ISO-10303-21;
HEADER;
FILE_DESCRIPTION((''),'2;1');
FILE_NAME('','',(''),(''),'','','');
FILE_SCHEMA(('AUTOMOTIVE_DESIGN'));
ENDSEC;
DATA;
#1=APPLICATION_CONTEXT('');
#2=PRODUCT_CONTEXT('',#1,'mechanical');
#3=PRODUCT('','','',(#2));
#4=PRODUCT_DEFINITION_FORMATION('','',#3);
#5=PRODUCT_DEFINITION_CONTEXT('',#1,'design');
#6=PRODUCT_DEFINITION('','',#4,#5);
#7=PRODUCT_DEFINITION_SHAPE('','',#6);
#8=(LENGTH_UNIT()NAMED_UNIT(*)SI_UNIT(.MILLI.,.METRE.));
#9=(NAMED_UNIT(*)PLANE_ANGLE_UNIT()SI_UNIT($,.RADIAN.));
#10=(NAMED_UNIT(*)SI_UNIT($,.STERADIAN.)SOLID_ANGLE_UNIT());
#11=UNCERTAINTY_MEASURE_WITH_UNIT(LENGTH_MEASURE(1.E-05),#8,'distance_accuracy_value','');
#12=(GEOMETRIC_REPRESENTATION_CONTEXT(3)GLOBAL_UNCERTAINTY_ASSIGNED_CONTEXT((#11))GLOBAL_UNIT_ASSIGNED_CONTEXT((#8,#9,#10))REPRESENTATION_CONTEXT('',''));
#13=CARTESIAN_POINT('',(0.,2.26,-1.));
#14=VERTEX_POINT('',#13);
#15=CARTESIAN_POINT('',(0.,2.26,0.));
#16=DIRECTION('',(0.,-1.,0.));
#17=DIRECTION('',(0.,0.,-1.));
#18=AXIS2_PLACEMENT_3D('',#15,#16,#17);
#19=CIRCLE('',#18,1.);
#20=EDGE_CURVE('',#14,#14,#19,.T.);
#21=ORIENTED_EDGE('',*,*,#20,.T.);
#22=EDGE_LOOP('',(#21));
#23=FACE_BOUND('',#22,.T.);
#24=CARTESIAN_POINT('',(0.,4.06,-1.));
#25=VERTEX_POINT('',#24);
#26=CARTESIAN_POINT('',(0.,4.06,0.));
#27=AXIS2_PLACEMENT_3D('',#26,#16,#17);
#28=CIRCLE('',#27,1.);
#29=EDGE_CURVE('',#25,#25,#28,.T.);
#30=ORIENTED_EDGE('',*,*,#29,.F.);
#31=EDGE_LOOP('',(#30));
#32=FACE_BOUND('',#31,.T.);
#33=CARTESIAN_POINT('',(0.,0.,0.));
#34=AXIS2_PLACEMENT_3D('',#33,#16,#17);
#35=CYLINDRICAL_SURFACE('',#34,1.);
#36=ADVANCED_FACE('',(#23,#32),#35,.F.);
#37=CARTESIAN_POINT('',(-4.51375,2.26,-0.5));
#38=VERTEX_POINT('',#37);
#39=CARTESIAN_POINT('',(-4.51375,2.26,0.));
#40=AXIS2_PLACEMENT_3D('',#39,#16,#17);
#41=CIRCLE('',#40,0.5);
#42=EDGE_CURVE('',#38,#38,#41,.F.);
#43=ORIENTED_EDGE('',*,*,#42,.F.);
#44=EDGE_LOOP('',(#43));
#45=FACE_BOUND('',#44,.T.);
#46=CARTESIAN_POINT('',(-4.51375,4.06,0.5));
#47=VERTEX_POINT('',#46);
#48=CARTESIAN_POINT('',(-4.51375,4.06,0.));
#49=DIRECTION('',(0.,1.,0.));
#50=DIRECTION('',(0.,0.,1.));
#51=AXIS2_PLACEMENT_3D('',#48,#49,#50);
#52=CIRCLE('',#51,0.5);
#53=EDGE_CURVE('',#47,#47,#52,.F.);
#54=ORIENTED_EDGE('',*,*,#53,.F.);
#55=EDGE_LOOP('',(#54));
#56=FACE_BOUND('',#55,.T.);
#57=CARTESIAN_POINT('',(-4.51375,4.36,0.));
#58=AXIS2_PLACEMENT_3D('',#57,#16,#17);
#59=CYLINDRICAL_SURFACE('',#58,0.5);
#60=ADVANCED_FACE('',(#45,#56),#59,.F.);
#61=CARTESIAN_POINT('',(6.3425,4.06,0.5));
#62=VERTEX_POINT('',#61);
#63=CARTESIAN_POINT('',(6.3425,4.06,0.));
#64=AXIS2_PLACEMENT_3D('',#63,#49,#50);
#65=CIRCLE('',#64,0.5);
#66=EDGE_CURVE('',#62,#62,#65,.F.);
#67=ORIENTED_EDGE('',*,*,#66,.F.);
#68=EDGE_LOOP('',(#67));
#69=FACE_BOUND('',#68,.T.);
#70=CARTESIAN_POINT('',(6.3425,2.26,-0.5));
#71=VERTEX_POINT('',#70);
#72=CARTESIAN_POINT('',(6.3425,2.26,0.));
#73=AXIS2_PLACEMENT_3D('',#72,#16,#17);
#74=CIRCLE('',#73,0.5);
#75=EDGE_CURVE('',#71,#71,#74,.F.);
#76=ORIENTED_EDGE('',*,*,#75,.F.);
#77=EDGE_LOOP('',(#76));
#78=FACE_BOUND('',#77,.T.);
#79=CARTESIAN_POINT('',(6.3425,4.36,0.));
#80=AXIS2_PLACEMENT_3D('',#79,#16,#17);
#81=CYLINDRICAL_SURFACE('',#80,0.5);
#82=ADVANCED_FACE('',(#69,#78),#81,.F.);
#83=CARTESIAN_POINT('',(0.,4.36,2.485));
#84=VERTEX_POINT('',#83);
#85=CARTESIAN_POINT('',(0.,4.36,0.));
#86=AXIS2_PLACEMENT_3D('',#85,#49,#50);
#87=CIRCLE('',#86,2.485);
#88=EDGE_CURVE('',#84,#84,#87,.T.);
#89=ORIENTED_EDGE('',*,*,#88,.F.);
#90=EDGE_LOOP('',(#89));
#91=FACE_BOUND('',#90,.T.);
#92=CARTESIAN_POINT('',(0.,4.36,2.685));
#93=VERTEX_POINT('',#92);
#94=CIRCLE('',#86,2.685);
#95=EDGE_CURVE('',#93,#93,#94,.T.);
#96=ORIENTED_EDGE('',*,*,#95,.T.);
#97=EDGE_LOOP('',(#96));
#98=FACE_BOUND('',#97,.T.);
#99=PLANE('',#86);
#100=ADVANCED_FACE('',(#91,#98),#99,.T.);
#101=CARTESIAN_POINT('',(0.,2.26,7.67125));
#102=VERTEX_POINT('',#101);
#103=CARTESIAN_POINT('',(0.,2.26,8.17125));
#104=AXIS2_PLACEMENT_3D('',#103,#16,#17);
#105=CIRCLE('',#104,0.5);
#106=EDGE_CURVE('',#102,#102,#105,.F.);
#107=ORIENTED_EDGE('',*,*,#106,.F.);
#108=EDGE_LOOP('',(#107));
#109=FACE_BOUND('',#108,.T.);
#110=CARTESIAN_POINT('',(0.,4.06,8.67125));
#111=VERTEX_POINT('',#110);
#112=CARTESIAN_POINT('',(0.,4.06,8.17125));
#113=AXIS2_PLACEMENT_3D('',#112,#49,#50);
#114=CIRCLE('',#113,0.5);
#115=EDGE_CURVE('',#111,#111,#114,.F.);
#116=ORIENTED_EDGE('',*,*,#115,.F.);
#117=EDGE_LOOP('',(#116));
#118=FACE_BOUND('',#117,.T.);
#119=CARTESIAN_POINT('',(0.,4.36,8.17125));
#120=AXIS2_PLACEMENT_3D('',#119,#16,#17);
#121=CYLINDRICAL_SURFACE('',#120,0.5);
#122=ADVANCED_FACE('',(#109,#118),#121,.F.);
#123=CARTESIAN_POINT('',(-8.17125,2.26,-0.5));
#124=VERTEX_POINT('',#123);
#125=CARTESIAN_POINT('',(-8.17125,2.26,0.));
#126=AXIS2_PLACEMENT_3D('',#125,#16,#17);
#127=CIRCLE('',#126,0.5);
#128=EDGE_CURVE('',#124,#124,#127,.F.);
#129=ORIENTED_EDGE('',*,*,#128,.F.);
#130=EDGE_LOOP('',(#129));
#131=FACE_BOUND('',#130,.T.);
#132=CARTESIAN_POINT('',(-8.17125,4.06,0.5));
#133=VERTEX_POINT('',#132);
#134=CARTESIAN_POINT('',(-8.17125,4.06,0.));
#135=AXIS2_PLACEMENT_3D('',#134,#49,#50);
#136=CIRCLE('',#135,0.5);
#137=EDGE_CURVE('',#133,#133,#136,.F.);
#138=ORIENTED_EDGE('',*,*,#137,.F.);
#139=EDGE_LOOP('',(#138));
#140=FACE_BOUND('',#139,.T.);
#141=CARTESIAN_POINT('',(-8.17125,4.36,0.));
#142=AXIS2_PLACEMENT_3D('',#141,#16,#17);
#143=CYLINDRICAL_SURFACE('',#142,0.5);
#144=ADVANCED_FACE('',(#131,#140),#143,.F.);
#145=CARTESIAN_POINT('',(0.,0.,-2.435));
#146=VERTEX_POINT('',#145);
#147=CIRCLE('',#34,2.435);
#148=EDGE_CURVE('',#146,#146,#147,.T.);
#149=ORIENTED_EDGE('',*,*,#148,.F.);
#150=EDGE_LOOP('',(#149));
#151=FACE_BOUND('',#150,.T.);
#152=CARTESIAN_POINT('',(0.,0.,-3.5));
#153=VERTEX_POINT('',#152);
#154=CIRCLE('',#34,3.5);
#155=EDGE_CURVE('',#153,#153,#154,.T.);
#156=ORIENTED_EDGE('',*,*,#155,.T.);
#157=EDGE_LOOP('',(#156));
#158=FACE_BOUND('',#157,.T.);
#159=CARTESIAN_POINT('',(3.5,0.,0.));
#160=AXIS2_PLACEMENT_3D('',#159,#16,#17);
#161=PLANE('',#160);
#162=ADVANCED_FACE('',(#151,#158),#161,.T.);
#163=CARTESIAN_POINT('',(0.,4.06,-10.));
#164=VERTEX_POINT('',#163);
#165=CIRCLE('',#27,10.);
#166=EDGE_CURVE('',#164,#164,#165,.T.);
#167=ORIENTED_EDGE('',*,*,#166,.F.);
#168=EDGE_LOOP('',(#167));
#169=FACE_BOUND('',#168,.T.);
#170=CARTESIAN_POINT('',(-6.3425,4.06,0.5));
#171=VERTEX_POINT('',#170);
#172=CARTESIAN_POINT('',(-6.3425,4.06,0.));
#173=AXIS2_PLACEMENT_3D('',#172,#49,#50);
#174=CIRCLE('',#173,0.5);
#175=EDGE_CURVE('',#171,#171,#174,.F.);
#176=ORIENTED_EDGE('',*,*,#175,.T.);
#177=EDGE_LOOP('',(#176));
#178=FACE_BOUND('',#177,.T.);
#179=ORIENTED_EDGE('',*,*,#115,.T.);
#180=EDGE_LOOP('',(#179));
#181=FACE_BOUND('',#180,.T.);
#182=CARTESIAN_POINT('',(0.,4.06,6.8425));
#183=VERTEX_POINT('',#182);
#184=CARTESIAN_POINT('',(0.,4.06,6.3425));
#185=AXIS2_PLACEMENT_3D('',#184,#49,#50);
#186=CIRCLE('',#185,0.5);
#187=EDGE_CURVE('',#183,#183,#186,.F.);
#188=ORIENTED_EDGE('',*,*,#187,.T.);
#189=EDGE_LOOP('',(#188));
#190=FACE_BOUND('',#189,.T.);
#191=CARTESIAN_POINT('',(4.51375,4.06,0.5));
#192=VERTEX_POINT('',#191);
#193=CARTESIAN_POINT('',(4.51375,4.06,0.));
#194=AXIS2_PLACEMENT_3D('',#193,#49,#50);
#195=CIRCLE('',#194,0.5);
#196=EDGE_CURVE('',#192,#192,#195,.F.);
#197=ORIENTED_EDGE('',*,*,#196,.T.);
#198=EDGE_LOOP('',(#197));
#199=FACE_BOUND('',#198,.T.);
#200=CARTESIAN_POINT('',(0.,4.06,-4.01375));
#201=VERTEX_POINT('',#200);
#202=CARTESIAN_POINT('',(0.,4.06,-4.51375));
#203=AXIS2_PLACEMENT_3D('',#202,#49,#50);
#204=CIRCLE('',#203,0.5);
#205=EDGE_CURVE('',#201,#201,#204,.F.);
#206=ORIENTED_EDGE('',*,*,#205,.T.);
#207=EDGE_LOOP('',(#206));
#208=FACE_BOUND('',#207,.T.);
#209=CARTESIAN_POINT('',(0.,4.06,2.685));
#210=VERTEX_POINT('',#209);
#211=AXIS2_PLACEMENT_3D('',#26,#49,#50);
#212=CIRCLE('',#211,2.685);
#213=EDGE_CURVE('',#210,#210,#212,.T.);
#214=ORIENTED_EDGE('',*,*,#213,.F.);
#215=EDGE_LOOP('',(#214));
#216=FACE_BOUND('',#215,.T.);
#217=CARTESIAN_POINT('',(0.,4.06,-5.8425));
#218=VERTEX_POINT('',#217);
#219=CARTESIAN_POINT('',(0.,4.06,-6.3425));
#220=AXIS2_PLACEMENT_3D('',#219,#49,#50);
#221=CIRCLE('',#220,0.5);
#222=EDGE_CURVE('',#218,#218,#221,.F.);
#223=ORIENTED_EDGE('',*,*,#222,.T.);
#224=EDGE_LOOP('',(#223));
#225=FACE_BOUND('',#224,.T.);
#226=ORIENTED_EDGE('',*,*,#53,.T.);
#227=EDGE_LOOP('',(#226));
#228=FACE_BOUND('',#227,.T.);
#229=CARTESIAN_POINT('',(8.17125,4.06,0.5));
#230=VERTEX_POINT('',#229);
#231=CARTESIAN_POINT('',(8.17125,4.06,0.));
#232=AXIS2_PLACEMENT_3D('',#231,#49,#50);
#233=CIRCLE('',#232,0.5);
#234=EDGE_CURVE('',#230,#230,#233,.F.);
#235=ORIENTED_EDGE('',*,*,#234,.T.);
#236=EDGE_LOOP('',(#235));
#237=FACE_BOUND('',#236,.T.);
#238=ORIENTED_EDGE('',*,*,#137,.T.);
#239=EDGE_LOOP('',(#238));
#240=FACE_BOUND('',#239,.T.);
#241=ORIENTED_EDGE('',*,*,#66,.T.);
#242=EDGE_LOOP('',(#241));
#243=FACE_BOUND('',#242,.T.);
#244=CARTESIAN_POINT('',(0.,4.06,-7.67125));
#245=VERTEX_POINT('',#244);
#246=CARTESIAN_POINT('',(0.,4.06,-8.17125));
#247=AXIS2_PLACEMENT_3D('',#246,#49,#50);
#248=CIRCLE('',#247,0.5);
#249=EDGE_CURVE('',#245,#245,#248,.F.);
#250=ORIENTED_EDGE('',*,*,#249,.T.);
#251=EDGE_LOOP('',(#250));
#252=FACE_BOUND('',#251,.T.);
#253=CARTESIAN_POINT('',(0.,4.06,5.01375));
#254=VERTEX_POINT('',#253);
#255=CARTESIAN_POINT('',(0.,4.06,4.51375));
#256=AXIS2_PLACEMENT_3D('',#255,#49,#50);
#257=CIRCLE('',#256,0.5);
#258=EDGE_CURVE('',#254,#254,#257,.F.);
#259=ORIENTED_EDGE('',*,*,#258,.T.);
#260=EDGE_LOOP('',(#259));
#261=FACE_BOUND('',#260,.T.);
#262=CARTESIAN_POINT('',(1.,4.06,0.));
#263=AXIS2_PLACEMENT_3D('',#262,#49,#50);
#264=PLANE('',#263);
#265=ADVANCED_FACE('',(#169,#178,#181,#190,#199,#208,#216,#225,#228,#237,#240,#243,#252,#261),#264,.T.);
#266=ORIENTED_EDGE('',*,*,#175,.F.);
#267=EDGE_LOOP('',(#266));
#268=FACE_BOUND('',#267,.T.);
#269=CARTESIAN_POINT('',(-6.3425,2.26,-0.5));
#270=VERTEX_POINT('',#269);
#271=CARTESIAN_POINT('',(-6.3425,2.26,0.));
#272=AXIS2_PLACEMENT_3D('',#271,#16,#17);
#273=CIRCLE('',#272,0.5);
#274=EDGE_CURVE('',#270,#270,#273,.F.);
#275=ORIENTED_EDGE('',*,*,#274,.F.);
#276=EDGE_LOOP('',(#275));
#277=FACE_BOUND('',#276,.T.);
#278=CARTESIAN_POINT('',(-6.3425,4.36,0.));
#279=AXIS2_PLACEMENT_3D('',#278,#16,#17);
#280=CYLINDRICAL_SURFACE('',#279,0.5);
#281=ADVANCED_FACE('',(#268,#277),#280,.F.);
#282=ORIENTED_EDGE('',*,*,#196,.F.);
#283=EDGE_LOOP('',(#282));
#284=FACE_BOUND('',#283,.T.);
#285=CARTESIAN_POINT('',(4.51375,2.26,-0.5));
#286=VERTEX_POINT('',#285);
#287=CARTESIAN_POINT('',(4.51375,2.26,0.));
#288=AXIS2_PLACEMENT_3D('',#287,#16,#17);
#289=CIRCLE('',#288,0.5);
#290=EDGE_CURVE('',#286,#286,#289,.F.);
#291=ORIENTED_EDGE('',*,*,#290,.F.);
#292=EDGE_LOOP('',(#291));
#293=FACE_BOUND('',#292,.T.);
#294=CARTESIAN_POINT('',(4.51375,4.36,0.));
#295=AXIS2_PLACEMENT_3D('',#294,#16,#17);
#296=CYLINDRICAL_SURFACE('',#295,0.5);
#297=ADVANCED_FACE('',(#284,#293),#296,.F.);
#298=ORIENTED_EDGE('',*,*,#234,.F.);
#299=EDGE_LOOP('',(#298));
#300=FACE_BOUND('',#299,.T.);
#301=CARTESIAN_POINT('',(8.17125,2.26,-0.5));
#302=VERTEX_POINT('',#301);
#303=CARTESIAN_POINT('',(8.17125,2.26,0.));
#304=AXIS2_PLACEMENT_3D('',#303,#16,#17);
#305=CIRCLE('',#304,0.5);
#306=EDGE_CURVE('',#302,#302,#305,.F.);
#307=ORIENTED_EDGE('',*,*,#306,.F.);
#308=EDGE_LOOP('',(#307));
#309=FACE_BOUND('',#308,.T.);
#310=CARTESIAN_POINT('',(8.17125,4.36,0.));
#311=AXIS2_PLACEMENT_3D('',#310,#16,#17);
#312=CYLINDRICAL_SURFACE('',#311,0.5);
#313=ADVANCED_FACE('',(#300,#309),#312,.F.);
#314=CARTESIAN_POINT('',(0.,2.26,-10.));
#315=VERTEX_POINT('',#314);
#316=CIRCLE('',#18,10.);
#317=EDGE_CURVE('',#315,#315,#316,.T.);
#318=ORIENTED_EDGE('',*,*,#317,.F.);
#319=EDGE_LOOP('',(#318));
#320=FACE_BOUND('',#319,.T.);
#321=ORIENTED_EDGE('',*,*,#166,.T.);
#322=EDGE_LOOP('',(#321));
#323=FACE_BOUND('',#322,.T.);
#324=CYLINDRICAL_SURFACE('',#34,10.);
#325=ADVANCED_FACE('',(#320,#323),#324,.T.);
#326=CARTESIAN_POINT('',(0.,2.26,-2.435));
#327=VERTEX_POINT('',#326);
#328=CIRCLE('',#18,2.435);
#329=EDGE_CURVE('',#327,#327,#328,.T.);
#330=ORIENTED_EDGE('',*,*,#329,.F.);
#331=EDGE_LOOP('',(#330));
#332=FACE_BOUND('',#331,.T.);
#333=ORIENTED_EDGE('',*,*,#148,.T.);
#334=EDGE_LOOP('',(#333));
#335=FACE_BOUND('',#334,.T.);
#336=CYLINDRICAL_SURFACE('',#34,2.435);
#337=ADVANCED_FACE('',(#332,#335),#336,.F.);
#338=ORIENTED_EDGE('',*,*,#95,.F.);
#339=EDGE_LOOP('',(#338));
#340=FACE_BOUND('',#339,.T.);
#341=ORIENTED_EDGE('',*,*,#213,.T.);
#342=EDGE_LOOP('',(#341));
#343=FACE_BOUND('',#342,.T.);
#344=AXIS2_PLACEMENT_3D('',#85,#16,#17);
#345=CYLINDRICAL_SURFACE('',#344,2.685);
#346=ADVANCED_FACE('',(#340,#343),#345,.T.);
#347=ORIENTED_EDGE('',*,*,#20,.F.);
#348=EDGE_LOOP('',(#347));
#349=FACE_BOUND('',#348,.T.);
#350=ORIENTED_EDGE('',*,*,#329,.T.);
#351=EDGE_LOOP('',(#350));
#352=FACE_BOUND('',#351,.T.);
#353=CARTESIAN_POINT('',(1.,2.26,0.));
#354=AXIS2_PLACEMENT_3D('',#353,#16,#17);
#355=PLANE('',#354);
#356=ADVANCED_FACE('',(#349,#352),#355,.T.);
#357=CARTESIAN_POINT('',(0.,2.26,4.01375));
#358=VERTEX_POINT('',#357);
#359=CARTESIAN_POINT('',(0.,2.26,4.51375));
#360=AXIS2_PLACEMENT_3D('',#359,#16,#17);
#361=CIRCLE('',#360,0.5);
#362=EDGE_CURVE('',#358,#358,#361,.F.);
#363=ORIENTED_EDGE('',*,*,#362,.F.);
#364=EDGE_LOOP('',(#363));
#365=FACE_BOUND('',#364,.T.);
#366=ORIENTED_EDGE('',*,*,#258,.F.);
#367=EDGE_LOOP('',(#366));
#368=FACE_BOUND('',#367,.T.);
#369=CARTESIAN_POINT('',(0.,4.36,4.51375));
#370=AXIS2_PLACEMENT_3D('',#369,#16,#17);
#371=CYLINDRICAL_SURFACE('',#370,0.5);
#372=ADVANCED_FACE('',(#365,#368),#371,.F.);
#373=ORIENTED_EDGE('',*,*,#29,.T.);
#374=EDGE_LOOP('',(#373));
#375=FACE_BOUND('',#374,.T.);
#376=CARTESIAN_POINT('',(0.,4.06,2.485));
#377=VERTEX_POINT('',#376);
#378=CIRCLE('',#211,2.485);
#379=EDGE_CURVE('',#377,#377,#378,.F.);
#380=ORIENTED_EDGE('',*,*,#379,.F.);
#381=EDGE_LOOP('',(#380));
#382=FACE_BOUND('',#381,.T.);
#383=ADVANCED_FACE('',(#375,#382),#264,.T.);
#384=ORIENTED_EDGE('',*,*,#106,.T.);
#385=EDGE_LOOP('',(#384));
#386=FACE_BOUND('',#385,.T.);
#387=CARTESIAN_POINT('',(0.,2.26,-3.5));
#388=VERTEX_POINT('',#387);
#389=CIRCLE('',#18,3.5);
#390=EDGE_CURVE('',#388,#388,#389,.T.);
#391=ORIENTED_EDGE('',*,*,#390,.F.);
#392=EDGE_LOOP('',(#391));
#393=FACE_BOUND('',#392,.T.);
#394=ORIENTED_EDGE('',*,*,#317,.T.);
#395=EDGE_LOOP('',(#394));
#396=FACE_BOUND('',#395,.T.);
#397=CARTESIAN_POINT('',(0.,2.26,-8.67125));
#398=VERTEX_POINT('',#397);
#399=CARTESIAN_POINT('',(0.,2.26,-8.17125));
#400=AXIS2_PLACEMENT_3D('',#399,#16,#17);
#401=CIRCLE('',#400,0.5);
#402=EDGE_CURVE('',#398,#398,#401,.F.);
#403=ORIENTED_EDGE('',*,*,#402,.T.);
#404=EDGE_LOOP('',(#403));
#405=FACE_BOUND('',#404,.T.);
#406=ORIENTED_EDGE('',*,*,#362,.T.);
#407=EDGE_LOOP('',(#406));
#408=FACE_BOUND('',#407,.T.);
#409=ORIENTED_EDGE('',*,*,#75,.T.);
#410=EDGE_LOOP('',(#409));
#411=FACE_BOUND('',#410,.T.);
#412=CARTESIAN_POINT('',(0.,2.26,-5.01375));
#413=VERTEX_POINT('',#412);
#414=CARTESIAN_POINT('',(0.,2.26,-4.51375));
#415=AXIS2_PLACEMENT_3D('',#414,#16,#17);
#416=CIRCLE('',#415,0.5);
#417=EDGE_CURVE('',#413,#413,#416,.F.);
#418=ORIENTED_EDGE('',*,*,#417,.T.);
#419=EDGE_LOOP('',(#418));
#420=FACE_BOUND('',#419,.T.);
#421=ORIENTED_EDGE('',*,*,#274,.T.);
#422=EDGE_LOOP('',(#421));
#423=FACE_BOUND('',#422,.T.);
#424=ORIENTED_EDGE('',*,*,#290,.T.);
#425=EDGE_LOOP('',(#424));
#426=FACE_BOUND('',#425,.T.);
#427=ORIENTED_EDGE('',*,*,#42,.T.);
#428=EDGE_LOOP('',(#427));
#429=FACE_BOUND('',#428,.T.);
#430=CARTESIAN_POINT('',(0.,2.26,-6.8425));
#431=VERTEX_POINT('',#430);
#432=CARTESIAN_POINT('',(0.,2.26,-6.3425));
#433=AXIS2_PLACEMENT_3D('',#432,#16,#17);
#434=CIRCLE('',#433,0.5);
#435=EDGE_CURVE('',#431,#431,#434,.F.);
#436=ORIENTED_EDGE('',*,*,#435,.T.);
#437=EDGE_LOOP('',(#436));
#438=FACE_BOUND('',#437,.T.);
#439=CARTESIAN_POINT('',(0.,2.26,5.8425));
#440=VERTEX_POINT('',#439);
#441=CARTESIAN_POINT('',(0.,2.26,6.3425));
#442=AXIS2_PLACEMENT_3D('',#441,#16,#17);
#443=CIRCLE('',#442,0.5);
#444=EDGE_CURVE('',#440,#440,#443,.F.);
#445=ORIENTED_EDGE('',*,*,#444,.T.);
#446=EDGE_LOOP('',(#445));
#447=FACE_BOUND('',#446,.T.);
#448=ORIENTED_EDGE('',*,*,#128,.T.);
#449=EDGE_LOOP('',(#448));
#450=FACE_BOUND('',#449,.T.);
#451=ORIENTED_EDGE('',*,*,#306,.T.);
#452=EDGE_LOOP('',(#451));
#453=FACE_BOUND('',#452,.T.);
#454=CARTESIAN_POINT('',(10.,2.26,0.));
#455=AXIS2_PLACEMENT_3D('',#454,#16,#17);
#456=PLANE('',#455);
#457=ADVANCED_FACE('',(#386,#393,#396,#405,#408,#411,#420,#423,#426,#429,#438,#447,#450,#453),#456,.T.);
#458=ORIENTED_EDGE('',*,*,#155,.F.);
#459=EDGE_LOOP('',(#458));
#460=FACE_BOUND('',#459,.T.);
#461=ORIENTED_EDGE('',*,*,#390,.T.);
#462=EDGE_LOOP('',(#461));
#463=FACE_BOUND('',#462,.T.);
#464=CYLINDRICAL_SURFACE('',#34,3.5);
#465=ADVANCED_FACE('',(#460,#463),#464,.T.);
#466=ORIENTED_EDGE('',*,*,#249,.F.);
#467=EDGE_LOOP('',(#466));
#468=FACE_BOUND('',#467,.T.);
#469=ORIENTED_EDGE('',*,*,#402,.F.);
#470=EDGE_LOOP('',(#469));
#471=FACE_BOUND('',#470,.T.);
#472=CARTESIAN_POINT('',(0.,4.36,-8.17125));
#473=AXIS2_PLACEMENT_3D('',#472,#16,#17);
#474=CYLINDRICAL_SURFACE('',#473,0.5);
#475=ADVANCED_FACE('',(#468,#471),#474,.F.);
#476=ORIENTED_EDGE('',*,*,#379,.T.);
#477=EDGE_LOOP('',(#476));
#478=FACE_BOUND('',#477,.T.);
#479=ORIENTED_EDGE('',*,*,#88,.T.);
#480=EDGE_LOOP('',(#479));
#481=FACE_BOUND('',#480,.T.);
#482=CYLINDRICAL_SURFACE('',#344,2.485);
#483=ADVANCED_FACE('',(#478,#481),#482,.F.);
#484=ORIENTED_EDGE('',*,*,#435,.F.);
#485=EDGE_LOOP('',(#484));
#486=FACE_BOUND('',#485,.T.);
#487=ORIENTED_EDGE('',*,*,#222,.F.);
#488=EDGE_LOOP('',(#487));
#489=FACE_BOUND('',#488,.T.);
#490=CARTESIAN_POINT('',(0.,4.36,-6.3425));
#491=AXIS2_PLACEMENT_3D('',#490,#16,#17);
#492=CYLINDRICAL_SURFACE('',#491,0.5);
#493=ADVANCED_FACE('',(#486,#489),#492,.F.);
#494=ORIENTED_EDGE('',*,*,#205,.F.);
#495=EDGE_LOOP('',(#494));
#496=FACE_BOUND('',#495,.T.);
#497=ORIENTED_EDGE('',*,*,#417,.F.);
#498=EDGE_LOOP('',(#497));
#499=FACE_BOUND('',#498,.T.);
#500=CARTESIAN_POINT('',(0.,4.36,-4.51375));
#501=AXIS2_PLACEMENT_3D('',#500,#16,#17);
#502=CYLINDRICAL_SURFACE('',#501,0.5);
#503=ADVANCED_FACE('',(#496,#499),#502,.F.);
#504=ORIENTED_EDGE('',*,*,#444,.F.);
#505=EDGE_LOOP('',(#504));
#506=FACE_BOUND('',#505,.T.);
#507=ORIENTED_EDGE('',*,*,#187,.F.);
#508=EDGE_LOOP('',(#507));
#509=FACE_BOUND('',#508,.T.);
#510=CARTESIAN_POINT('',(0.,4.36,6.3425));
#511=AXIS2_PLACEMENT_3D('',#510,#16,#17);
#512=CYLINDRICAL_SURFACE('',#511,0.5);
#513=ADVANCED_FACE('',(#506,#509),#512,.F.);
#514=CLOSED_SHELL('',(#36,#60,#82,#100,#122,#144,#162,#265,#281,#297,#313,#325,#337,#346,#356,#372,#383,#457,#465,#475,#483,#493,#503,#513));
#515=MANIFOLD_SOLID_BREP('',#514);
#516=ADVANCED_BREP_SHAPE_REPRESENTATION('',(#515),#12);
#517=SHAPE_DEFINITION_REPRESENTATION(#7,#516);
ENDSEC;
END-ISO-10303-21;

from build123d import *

# Parameters (mm, degrees)
SKETCH2_R           = 2.685
SKETCH2_R_2         = 2.485
BOSS_EXTRUDE1_DEPTH = 0.3
SKETCH4_R           = 0.5
CUT_EXTRUDE2_DEPTH  = 5.36
CIRPATTERN1_COUNT   = 4


with BuildPart() as part:
    # Sketch1 → Revolve2 (revolve)
    with BuildSketch(Plane.XY):
        Polygon((1, 2.26), (1, 4.06), (10, 4.06), (10, 2.26), (3.5, 2.26), (3.5, 0), (2.435, 0), (2.435, 2.26), align=None)
    revolve(axis=Axis((0, 0, 0), (0, 1, 0)))

    # Sketch2 → Boss-Extrude1 (add)
    with BuildSketch(Plane(origin=(0, 4.06, 0), x_dir=(1, 0, 0), z_dir=(0, 1, 0))):
        Circle(SKETCH2_R)
        Circle(SKETCH2_R_2, mode=Mode.SUBTRACT)
    extrude(amount=BOSS_EXTRUDE1_DEPTH)

    # Sketch4 → Cut-Extrude2 (cut, through all)
    with BuildSketch(Plane(origin=(0, 0, 0), x_dir=(1, 0, 0), z_dir=(0, 1, 0))):
        with Locations((0, 4.51375)):
            Circle(SKETCH4_R)
        with Locations((0, 6.3425)):
            Circle(SKETCH4_R)
        with Locations((0, 8.17125)):
            Circle(SKETCH4_R)
    cut_extrude2 = extrude(amount=CUT_EXTRUDE2_DEPTH, mode=Mode.SUBTRACT)

    # CirPattern1: Cut-Extrude2 ×4 about axis
    cirpattern1_axis = Axis((0, 0, 0), (0, 1, 0))
    for i in range(1, CIRPATTERN1_COUNT):
        add(cut_extrude2.rotate(cirpattern1_axis, i * 360 / CIRPATTERN1_COUNT), mode=Mode.SUBTRACT)


solid = part.part
